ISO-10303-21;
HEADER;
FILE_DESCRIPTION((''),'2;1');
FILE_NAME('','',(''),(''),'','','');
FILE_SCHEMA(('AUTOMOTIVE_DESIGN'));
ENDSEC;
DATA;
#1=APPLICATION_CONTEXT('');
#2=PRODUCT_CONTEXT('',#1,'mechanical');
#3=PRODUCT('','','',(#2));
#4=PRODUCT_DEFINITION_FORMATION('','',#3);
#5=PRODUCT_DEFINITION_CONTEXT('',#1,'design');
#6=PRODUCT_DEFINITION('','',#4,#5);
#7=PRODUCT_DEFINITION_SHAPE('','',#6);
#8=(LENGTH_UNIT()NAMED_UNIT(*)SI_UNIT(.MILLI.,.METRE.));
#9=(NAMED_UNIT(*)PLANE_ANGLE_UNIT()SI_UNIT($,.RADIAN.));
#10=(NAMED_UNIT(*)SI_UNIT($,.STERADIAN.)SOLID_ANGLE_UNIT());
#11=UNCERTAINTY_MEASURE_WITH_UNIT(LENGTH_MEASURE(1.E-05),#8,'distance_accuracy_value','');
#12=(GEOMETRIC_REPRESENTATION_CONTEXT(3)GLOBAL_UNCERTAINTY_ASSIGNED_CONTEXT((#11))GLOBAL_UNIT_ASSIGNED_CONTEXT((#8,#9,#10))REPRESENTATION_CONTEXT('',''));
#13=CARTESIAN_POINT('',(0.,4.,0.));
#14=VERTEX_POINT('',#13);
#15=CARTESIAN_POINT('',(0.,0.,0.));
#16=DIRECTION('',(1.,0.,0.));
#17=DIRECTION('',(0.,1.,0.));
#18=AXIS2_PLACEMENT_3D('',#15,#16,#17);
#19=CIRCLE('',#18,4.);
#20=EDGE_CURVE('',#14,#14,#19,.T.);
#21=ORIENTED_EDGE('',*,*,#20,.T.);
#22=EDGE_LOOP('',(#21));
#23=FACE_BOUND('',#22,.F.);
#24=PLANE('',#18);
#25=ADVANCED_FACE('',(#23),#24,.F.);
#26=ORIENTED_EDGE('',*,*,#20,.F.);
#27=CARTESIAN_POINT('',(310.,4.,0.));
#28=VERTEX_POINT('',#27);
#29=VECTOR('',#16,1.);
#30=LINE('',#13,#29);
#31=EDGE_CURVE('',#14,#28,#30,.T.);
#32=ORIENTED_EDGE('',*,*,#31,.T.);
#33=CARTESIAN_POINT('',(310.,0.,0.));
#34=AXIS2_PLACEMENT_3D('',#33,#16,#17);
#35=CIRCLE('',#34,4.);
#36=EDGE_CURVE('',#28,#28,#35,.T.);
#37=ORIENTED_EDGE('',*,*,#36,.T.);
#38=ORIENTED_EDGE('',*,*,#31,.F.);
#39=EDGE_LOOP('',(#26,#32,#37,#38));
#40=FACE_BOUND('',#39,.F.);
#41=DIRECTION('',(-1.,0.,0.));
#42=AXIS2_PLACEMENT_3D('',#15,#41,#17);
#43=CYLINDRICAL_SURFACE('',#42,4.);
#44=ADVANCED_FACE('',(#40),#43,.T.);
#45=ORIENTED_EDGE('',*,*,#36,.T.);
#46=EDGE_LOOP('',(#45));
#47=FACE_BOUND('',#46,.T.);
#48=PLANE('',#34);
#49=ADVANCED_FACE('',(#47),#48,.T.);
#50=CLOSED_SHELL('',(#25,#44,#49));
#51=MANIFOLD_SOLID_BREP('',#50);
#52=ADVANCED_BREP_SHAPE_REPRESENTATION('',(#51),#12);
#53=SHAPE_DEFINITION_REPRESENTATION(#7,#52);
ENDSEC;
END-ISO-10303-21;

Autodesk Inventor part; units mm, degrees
ref_plane "YZ Plane" through (0, 0, 0) normal (1, 0, 0) x (0, 1, 0)
ref_plane "XZ Plane" through (0, 0, 0) normal (0, 1, 0) x (-1, 0, 0)
ref_plane "XY Plane" through (0, 0, 0) normal (0, 0, 1) x (1, 0, 0)
sketch "Sketch1" plane through (0, 0, 0) normal (1, 0, 0) x (0, 1, 0)
  circle A0 centre (0, 0) radius 4
  dimension "d0" = 8
extrude "Extrusion1" add sketch "Sketch1" along normal blind 310
properties part number "300mm_Rod"
